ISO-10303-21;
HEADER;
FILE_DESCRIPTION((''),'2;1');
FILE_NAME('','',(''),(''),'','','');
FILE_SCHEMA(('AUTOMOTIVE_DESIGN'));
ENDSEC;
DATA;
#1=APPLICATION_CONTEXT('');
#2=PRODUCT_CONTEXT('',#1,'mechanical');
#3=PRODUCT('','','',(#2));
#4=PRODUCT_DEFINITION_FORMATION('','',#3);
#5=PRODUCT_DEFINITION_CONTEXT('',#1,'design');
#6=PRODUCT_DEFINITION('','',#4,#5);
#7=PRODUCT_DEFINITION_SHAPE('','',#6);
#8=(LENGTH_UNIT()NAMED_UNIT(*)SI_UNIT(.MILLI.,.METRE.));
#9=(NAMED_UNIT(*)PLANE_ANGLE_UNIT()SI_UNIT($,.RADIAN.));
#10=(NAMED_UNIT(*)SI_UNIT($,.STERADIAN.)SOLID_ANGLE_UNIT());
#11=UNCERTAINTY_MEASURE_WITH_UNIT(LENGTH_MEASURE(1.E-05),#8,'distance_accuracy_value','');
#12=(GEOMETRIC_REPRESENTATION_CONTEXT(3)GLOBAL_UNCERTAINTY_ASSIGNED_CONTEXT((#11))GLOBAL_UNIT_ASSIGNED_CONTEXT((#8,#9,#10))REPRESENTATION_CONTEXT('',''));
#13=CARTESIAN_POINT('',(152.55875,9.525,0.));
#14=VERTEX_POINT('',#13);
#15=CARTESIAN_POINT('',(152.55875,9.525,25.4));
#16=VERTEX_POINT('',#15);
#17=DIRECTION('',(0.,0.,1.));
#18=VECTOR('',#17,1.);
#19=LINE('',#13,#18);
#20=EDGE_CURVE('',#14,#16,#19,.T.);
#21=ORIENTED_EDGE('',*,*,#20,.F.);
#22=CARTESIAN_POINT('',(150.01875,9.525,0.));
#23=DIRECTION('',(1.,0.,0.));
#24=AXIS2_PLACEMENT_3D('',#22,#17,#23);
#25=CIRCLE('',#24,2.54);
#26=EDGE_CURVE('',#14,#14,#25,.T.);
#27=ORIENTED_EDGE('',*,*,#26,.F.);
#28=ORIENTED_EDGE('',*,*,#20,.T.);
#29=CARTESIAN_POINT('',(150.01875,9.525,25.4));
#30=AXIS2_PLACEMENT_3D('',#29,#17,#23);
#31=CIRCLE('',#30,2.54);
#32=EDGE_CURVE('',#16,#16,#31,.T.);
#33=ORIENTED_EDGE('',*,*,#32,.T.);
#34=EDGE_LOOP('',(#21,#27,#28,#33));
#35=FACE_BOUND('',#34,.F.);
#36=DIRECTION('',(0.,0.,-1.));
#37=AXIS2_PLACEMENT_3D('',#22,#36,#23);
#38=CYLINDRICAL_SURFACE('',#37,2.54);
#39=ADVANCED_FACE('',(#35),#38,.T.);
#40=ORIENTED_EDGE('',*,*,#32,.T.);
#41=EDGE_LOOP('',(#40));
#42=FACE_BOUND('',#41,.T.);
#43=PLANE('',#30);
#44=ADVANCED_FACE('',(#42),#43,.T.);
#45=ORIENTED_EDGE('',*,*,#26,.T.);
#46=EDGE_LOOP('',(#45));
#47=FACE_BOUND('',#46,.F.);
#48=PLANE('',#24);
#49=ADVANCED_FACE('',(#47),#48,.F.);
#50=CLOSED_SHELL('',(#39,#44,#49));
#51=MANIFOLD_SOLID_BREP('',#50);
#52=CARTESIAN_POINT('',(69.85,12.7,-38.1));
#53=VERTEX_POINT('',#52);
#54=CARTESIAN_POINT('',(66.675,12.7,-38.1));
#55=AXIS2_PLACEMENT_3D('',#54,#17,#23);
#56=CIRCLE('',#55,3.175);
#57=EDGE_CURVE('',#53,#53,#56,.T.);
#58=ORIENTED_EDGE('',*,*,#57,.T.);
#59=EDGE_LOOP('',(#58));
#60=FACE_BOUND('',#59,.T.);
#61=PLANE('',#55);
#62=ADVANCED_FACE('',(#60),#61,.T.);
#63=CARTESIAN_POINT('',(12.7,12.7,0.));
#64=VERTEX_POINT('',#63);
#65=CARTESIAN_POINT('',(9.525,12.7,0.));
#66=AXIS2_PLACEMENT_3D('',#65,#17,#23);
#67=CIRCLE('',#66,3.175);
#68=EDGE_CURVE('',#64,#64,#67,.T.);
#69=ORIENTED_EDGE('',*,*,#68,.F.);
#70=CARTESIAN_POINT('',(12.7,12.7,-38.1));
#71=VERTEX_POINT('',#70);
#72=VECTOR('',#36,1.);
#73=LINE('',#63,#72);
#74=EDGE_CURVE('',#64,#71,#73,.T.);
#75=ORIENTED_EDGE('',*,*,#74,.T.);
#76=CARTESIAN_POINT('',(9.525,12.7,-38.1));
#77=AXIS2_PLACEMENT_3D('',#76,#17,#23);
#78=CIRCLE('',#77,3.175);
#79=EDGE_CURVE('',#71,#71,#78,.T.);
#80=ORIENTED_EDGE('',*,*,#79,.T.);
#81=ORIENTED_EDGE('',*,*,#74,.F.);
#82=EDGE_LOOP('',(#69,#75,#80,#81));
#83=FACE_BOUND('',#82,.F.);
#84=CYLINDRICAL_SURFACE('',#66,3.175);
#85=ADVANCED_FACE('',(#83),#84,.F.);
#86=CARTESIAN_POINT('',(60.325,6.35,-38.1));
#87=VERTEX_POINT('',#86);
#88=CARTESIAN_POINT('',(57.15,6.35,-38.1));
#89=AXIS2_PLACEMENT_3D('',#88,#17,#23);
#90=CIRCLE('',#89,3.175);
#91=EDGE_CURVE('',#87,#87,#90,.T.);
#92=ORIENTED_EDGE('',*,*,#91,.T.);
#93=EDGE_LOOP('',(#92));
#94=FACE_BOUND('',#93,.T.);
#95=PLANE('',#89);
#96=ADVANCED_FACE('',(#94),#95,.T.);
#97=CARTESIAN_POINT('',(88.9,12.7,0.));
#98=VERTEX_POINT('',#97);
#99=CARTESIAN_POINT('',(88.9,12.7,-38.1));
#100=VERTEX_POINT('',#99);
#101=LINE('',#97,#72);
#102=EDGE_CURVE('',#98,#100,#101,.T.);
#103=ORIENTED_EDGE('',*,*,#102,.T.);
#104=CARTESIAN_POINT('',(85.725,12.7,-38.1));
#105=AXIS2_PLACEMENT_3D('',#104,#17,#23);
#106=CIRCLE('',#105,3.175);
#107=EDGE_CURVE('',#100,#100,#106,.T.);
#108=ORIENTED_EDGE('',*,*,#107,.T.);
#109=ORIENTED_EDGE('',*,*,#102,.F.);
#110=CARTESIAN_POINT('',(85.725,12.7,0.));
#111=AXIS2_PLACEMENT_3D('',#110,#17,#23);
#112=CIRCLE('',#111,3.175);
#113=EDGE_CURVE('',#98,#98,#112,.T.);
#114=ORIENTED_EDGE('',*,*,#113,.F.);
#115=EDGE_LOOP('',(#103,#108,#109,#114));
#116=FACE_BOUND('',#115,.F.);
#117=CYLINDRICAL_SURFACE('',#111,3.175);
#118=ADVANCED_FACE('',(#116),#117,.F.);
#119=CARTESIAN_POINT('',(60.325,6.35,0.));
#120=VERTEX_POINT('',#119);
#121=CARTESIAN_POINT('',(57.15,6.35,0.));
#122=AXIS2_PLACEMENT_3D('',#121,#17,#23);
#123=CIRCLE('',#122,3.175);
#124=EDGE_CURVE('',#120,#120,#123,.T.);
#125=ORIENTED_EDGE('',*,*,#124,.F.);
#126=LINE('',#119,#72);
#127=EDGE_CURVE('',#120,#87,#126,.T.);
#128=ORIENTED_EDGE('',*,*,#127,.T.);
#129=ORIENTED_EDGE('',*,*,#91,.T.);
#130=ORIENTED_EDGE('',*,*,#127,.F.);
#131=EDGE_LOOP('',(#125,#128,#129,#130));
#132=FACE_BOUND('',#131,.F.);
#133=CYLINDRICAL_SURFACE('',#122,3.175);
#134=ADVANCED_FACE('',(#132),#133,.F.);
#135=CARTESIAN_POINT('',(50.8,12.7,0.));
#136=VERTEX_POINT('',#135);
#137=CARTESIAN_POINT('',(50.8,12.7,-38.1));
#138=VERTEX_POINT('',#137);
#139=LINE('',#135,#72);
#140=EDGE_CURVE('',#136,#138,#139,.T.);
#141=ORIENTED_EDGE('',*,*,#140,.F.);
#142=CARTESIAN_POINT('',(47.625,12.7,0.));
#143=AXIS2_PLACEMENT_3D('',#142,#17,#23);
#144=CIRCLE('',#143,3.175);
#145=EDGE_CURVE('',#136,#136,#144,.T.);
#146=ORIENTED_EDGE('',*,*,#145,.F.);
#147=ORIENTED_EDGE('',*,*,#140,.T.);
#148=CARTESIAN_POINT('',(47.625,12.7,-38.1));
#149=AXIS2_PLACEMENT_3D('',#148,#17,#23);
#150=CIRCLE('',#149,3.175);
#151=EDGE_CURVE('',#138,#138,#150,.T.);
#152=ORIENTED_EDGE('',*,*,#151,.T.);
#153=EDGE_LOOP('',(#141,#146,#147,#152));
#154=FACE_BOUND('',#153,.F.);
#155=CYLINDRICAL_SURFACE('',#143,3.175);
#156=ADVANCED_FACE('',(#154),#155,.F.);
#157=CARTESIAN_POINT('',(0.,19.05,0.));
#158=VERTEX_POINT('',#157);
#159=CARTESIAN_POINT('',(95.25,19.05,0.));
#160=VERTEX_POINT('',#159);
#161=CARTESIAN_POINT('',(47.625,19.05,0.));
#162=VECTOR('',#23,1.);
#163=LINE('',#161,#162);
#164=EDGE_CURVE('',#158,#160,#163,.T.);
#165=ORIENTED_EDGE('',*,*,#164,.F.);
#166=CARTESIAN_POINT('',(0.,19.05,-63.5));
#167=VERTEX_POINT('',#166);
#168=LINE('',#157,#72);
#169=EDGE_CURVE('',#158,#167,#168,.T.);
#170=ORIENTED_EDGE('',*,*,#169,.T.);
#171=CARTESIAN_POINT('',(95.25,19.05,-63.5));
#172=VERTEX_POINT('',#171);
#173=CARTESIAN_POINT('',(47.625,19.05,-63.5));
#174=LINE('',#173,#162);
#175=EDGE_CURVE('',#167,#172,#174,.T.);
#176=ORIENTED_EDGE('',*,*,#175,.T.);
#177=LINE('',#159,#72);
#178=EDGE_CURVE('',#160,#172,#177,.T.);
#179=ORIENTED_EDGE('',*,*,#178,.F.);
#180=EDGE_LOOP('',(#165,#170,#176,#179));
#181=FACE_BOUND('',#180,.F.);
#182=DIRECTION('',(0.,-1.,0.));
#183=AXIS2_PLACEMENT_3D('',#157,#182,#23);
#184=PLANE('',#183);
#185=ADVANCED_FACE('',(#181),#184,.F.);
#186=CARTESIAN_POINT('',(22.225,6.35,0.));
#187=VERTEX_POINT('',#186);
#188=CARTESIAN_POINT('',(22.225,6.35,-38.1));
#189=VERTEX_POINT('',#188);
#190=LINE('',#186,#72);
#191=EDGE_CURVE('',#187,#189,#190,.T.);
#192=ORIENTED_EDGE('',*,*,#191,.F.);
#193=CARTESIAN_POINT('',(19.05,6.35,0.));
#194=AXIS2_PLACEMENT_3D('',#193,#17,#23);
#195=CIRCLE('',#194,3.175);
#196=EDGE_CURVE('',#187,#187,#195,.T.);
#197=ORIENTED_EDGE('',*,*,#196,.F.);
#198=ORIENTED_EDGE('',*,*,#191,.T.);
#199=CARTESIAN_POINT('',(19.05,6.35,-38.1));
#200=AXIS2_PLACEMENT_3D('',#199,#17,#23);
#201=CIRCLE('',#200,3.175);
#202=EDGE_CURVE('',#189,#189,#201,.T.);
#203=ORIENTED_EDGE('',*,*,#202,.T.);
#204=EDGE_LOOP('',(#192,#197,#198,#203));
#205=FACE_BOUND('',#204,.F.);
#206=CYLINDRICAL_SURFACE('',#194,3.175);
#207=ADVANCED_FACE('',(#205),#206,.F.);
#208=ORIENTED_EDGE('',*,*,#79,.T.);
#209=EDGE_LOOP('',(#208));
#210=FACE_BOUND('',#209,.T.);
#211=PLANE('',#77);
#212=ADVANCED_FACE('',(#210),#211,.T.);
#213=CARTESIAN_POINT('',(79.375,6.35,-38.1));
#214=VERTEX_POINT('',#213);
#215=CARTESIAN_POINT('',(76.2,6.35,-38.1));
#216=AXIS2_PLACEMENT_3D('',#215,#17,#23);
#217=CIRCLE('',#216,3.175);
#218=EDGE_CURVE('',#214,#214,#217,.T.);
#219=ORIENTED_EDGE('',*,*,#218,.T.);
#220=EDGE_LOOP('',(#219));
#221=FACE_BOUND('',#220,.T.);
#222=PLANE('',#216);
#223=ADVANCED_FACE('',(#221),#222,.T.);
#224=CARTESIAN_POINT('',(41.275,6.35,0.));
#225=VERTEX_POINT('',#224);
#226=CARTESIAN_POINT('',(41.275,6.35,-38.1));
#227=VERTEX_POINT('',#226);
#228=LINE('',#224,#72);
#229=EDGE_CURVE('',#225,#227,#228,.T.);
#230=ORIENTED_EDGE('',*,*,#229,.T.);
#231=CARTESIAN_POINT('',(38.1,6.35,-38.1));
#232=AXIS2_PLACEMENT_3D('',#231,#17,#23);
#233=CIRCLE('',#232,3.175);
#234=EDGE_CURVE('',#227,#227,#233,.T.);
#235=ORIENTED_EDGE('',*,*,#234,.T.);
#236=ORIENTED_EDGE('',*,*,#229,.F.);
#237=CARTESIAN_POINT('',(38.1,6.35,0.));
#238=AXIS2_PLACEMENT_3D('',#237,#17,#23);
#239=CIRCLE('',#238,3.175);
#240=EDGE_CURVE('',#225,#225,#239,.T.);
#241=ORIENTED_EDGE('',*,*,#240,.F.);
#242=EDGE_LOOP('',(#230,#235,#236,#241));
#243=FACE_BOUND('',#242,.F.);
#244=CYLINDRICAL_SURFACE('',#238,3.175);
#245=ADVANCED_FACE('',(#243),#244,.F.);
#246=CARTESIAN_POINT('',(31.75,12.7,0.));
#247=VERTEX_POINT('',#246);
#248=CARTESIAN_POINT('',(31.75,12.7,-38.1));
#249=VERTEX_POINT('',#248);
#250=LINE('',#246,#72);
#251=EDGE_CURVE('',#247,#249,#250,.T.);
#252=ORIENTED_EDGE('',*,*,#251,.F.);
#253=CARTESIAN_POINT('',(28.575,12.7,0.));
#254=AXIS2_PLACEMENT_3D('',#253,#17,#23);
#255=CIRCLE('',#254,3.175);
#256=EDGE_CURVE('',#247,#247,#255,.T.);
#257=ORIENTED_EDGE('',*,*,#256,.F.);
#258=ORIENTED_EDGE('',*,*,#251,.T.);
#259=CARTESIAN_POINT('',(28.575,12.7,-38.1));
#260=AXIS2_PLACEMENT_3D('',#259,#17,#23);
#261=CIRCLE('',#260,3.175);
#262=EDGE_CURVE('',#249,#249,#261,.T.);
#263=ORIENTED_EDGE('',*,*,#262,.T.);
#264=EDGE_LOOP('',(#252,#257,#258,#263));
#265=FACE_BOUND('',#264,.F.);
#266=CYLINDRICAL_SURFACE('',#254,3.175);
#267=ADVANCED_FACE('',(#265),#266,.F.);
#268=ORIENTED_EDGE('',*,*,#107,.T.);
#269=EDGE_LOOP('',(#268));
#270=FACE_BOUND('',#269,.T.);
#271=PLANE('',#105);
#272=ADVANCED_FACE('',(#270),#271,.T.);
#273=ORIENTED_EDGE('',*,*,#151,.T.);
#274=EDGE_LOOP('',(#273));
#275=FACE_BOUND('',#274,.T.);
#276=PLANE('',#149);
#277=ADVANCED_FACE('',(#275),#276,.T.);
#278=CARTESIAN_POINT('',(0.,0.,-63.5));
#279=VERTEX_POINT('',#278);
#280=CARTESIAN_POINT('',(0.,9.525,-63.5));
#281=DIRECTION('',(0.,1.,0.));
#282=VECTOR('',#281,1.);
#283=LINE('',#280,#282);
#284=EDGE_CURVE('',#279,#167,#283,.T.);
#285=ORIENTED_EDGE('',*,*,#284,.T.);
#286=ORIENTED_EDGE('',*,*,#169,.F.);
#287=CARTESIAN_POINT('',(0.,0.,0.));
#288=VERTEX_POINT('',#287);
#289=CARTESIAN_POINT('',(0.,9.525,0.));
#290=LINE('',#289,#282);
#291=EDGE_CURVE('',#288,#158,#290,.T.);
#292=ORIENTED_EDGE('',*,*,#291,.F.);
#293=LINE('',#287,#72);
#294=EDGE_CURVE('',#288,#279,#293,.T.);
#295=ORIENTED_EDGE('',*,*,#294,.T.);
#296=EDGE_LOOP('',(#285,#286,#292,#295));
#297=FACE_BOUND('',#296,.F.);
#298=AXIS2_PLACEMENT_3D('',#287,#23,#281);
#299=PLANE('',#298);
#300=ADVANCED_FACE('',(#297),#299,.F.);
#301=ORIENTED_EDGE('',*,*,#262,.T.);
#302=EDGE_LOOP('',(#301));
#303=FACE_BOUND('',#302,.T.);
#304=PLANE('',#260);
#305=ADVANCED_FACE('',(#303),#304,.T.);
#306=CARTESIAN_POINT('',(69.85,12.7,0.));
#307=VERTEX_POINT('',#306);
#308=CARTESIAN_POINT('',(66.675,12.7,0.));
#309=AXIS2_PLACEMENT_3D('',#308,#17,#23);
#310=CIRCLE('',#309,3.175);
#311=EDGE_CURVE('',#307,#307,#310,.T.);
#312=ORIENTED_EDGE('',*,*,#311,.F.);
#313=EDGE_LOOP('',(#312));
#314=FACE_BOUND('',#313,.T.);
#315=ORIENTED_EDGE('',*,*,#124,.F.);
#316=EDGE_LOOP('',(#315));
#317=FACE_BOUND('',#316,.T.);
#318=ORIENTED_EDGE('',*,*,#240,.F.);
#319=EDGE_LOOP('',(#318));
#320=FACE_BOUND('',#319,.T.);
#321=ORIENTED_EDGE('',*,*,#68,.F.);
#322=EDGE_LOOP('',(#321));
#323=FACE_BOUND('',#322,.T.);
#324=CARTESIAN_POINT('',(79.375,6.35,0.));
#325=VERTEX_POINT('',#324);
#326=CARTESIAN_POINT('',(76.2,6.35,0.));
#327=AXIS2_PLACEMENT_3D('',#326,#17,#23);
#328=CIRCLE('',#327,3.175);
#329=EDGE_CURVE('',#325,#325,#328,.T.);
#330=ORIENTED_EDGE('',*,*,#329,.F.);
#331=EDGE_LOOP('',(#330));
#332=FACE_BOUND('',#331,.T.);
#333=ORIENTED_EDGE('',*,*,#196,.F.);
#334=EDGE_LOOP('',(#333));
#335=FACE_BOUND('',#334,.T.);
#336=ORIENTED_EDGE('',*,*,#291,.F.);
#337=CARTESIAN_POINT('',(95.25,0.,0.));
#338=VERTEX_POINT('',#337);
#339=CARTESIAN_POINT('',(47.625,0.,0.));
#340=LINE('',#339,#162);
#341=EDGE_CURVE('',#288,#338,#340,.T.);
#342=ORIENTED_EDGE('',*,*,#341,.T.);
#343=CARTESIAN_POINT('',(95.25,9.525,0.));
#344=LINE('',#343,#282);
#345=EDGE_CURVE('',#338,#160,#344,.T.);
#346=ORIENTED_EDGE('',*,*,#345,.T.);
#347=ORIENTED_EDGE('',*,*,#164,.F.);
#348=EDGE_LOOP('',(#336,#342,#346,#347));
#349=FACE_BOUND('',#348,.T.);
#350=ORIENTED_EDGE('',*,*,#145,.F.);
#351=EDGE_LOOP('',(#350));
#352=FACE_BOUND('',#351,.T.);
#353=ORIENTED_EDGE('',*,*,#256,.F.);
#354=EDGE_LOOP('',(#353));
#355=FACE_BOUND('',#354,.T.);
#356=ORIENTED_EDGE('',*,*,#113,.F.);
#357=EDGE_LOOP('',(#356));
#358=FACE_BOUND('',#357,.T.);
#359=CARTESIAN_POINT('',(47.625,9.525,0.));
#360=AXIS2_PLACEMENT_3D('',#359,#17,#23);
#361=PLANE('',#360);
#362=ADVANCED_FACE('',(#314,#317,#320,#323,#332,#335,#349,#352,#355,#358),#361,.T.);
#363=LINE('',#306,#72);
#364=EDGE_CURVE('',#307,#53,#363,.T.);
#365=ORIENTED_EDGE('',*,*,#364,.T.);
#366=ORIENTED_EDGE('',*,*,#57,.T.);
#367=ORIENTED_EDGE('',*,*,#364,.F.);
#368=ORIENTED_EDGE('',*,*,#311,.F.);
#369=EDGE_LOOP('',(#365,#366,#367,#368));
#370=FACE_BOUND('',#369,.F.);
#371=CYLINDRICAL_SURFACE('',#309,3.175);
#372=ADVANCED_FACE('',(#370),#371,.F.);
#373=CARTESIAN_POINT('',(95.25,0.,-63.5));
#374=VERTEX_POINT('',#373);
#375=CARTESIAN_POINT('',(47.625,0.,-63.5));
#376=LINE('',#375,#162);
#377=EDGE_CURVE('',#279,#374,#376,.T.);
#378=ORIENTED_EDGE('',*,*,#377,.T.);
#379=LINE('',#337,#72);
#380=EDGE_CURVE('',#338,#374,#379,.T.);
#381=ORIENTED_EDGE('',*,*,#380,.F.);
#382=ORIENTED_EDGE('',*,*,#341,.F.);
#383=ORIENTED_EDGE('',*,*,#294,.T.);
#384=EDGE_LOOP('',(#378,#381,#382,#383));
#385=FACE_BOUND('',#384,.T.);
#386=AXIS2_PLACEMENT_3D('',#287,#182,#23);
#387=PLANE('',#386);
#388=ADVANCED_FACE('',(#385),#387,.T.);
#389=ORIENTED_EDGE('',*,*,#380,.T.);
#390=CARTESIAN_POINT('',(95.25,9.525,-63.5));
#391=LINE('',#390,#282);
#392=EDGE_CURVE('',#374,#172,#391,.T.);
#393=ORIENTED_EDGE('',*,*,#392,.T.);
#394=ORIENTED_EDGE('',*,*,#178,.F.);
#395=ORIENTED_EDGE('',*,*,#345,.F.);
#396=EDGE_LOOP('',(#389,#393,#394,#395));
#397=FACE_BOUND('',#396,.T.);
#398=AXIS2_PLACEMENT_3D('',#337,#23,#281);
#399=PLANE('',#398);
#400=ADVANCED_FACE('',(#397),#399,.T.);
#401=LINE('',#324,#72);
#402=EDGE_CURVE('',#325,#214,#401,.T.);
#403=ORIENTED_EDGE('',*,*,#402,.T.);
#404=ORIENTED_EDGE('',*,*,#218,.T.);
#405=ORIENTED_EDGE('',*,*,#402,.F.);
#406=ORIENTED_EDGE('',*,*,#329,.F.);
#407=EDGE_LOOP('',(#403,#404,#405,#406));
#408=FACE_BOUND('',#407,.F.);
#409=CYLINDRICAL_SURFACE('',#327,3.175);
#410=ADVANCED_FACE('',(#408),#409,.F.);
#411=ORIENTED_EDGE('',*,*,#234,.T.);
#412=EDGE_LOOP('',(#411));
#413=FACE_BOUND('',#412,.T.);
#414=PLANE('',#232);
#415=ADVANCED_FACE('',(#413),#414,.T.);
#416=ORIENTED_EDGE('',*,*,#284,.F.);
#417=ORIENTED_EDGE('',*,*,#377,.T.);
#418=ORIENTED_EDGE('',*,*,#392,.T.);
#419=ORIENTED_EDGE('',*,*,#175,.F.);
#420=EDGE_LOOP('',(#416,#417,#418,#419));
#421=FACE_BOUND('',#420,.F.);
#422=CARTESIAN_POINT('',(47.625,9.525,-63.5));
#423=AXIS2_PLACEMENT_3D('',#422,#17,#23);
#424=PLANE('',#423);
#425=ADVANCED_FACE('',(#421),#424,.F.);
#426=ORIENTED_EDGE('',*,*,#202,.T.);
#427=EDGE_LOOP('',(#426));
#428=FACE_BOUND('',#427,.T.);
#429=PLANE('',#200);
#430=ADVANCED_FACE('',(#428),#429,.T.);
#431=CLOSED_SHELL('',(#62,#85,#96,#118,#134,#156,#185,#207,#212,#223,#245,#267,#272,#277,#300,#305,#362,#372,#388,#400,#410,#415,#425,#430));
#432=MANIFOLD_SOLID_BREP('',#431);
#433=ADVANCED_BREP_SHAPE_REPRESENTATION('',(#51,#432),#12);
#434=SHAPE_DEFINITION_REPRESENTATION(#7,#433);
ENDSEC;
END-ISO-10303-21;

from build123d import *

# Parameters (mm, degrees)
F0_W     = 95.25
F0_H     = 19.05
F1_DEPTH = 63.5
F2_R     = 3.175
F3_DEPTH = 38.1
F4_DEPTH = 38.1
F5_R     = 2.54
F6_DEPTH = 25.4


with BuildPart() as f1:
    # F0 (on Top) → F1 (new body)
    with BuildSketch(Plane.XY):
        with Locations((47.625, 9.525)):
            Rectangle(F0_W, F0_H)
    extrude(amount=-F1_DEPTH)

    # F2 (on Top) → F3 (cut)
    with BuildSketch(Plane.XY):
        with Locations((9.525, 12.7)):
            Circle(F2_R)
        with Locations((28.575, 12.7)):
            Circle(F2_R)
        with Locations((47.625, 12.7)):
            Circle(F2_R)
        with Locations((66.675, 12.7)):
            Circle(F2_R)
        with Locations((85.725, 12.7)):
            Circle(F2_R)
        with Locations((19.05, 6.35)):
            Circle(F2_R)
        with Locations((38.1, 6.35)):
            Circle(F2_R)
        with Locations((57.15, 6.35)):
            Circle(F2_R)
        with Locations((76.2, 6.35)):
            Circle(F2_R)
    extrude(amount=F3_DEPTH, mode=Mode.SUBTRACT)

    # F2 (on Top) → F4 (cut)
    with BuildSketch(Plane.XY):
        with Locations((9.525, 12.7)):
            Circle(F2_R)
        with Locations((28.575, 12.7)):
            Circle(F2_R)
        with Locations((47.625, 12.7)):
            Circle(F2_R)
        with Locations((66.675, 12.7)):
            Circle(F2_R)
        with Locations((85.725, 12.7)):
            Circle(F2_R)
        with Locations((19.05, 6.35)):
            Circle(F2_R)
        with Locations((38.1, 6.35)):
            Circle(F2_R)
        with Locations((57.15, 6.35)):
            Circle(F2_R)
        with Locations((76.2, 6.35)):
            Circle(F2_R)
    extrude(amount=-F4_DEPTH, mode=Mode.SUBTRACT)


with BuildPart() as f6:
    # F5 (on Top) → F6 (new body)
    with BuildSketch(Plane.XY):
        with Locations((150.01875, 9.525)):
            Circle(F5_R)
    extrude(amount=F6_DEPTH)


solid = Compound([f1.part, f6.part])
